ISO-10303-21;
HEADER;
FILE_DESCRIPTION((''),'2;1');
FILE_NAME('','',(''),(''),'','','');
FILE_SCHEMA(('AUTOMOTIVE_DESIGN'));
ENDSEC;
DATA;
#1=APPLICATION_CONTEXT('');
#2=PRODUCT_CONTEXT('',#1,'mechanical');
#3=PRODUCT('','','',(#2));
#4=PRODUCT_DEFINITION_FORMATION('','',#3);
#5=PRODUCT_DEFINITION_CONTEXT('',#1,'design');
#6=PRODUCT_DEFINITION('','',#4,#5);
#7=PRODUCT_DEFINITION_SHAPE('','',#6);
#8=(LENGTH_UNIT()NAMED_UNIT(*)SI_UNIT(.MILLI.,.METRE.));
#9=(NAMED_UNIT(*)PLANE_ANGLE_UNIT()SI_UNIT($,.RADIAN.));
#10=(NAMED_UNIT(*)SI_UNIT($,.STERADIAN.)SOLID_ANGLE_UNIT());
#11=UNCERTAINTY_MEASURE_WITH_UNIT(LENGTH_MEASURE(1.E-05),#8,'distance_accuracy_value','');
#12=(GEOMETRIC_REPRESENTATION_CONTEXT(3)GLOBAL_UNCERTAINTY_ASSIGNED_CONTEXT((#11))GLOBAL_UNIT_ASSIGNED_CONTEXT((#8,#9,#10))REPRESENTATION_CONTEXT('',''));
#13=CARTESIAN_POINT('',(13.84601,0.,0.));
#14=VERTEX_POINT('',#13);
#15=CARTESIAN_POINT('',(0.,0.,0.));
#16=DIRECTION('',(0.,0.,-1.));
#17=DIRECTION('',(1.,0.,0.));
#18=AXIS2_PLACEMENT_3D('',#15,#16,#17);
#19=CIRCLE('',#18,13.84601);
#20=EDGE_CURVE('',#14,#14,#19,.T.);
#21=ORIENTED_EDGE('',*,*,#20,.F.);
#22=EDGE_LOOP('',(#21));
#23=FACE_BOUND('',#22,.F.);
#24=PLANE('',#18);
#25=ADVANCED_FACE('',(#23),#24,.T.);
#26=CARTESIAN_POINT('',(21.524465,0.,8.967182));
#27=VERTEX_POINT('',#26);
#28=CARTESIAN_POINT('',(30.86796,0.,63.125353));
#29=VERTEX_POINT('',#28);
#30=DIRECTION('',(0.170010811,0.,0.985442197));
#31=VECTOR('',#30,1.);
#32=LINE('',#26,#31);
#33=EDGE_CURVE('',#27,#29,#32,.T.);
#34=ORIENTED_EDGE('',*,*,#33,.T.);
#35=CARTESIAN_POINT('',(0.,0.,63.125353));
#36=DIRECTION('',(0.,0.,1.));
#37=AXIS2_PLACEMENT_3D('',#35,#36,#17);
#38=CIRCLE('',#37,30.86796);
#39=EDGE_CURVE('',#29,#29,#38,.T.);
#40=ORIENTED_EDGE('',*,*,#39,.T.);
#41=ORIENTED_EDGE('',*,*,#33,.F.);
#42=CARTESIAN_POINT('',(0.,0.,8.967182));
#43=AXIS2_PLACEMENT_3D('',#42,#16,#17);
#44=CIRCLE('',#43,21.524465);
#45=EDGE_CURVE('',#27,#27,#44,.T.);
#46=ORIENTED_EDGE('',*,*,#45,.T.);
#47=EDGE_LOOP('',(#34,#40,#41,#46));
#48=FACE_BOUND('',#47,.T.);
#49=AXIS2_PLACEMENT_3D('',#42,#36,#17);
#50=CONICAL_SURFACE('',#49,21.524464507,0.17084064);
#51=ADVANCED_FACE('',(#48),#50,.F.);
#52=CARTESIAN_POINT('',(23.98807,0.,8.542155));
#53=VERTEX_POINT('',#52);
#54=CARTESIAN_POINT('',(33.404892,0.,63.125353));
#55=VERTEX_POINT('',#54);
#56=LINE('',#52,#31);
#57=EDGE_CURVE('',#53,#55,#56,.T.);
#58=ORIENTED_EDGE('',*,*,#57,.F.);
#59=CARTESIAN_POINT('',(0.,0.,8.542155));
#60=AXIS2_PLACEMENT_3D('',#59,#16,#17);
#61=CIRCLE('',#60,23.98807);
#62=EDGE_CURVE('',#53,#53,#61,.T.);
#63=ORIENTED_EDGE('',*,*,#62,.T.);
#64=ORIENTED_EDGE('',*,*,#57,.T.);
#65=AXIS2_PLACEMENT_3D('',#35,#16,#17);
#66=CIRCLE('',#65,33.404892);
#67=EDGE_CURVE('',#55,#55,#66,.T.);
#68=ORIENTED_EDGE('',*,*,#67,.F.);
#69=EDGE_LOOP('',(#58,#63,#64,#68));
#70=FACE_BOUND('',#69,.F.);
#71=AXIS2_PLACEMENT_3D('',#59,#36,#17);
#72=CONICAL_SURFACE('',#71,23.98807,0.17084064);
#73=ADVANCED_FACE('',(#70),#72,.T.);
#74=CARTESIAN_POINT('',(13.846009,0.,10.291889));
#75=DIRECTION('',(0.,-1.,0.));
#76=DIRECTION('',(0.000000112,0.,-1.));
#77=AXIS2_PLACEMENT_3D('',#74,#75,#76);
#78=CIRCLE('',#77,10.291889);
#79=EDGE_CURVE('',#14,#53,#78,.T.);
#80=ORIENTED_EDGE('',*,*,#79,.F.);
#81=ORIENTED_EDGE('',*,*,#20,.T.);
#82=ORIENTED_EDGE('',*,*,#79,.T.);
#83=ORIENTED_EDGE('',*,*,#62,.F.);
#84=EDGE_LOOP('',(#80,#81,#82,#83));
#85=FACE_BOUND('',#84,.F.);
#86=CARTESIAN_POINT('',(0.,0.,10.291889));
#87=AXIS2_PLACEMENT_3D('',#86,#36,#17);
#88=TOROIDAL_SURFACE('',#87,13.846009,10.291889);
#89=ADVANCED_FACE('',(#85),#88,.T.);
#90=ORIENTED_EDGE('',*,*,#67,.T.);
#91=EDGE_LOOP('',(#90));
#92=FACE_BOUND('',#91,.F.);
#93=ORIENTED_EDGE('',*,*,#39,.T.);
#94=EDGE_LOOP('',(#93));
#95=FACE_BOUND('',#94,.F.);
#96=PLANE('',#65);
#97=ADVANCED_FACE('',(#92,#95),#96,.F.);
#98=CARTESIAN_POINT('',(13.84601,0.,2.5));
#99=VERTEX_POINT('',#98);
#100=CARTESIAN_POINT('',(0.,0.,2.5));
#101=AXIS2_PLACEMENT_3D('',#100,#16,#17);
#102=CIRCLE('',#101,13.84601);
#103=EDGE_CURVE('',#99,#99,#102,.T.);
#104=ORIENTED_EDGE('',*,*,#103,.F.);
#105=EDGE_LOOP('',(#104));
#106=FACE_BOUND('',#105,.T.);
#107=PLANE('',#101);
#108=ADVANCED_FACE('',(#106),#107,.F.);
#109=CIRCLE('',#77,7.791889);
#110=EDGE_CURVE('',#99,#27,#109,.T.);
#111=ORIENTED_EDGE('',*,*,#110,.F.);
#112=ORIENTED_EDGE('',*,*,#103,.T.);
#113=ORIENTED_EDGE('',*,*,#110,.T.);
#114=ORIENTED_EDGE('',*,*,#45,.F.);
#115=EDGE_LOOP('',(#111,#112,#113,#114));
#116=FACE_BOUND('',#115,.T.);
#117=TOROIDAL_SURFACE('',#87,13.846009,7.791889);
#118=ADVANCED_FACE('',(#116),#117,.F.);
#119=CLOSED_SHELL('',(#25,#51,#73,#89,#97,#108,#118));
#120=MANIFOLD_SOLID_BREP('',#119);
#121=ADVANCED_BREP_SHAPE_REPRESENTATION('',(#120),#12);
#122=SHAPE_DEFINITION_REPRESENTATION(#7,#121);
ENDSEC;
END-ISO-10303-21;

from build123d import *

# Parameters (mm, degrees)
F2_T = -2.5
F4_R = 2.5


with BuildPart() as f1:
    # F0 (on Front) → F1 (revolve)
    with BuildSketch(Plane.XZ):
        with BuildLine():
            ThreePointArc((13.84601, 0), (20.476051, 2.420071), (23.98807, 8.542155))
            Line((23.98807, 8.542155), (33.404892, 63.125353))
            Line((33.404892, 63.125353), (0, 63.125353))
            Line((0, 63.125353), (0, 0))
            Line((0, 0), (13.84601, 0))
        make_face()
    revolve(axis=Axis((0, 0, 30.873057), (0, 0, -1)))

    # F2
    f2_openings = [f1.faces().sort_by_distance(p)[0] for p in [
        (0, 0, 63.125353),
    ]]
    offset(amount=F2_T, openings=f2_openings)


with BuildPart() as f5:
    # F5: sweep along a path in F3
    with BuildLine(Plane.XZ) as f5_path:
        Line((25.372773, 17.402936), (44.32266, 35.468507))
        ThreePointArc((44.32266, 35.468507), (45.10088, 49.073565), (31.577616, 50.754206))
    # F4 (on Top) → F5 (sweep)
    with BuildSketch(Plane.XY):
        with Locations((58.820363, 16.743207)):
            Circle(F4_R)
    sweep(path=f5_path.line)


solid = f1.part
